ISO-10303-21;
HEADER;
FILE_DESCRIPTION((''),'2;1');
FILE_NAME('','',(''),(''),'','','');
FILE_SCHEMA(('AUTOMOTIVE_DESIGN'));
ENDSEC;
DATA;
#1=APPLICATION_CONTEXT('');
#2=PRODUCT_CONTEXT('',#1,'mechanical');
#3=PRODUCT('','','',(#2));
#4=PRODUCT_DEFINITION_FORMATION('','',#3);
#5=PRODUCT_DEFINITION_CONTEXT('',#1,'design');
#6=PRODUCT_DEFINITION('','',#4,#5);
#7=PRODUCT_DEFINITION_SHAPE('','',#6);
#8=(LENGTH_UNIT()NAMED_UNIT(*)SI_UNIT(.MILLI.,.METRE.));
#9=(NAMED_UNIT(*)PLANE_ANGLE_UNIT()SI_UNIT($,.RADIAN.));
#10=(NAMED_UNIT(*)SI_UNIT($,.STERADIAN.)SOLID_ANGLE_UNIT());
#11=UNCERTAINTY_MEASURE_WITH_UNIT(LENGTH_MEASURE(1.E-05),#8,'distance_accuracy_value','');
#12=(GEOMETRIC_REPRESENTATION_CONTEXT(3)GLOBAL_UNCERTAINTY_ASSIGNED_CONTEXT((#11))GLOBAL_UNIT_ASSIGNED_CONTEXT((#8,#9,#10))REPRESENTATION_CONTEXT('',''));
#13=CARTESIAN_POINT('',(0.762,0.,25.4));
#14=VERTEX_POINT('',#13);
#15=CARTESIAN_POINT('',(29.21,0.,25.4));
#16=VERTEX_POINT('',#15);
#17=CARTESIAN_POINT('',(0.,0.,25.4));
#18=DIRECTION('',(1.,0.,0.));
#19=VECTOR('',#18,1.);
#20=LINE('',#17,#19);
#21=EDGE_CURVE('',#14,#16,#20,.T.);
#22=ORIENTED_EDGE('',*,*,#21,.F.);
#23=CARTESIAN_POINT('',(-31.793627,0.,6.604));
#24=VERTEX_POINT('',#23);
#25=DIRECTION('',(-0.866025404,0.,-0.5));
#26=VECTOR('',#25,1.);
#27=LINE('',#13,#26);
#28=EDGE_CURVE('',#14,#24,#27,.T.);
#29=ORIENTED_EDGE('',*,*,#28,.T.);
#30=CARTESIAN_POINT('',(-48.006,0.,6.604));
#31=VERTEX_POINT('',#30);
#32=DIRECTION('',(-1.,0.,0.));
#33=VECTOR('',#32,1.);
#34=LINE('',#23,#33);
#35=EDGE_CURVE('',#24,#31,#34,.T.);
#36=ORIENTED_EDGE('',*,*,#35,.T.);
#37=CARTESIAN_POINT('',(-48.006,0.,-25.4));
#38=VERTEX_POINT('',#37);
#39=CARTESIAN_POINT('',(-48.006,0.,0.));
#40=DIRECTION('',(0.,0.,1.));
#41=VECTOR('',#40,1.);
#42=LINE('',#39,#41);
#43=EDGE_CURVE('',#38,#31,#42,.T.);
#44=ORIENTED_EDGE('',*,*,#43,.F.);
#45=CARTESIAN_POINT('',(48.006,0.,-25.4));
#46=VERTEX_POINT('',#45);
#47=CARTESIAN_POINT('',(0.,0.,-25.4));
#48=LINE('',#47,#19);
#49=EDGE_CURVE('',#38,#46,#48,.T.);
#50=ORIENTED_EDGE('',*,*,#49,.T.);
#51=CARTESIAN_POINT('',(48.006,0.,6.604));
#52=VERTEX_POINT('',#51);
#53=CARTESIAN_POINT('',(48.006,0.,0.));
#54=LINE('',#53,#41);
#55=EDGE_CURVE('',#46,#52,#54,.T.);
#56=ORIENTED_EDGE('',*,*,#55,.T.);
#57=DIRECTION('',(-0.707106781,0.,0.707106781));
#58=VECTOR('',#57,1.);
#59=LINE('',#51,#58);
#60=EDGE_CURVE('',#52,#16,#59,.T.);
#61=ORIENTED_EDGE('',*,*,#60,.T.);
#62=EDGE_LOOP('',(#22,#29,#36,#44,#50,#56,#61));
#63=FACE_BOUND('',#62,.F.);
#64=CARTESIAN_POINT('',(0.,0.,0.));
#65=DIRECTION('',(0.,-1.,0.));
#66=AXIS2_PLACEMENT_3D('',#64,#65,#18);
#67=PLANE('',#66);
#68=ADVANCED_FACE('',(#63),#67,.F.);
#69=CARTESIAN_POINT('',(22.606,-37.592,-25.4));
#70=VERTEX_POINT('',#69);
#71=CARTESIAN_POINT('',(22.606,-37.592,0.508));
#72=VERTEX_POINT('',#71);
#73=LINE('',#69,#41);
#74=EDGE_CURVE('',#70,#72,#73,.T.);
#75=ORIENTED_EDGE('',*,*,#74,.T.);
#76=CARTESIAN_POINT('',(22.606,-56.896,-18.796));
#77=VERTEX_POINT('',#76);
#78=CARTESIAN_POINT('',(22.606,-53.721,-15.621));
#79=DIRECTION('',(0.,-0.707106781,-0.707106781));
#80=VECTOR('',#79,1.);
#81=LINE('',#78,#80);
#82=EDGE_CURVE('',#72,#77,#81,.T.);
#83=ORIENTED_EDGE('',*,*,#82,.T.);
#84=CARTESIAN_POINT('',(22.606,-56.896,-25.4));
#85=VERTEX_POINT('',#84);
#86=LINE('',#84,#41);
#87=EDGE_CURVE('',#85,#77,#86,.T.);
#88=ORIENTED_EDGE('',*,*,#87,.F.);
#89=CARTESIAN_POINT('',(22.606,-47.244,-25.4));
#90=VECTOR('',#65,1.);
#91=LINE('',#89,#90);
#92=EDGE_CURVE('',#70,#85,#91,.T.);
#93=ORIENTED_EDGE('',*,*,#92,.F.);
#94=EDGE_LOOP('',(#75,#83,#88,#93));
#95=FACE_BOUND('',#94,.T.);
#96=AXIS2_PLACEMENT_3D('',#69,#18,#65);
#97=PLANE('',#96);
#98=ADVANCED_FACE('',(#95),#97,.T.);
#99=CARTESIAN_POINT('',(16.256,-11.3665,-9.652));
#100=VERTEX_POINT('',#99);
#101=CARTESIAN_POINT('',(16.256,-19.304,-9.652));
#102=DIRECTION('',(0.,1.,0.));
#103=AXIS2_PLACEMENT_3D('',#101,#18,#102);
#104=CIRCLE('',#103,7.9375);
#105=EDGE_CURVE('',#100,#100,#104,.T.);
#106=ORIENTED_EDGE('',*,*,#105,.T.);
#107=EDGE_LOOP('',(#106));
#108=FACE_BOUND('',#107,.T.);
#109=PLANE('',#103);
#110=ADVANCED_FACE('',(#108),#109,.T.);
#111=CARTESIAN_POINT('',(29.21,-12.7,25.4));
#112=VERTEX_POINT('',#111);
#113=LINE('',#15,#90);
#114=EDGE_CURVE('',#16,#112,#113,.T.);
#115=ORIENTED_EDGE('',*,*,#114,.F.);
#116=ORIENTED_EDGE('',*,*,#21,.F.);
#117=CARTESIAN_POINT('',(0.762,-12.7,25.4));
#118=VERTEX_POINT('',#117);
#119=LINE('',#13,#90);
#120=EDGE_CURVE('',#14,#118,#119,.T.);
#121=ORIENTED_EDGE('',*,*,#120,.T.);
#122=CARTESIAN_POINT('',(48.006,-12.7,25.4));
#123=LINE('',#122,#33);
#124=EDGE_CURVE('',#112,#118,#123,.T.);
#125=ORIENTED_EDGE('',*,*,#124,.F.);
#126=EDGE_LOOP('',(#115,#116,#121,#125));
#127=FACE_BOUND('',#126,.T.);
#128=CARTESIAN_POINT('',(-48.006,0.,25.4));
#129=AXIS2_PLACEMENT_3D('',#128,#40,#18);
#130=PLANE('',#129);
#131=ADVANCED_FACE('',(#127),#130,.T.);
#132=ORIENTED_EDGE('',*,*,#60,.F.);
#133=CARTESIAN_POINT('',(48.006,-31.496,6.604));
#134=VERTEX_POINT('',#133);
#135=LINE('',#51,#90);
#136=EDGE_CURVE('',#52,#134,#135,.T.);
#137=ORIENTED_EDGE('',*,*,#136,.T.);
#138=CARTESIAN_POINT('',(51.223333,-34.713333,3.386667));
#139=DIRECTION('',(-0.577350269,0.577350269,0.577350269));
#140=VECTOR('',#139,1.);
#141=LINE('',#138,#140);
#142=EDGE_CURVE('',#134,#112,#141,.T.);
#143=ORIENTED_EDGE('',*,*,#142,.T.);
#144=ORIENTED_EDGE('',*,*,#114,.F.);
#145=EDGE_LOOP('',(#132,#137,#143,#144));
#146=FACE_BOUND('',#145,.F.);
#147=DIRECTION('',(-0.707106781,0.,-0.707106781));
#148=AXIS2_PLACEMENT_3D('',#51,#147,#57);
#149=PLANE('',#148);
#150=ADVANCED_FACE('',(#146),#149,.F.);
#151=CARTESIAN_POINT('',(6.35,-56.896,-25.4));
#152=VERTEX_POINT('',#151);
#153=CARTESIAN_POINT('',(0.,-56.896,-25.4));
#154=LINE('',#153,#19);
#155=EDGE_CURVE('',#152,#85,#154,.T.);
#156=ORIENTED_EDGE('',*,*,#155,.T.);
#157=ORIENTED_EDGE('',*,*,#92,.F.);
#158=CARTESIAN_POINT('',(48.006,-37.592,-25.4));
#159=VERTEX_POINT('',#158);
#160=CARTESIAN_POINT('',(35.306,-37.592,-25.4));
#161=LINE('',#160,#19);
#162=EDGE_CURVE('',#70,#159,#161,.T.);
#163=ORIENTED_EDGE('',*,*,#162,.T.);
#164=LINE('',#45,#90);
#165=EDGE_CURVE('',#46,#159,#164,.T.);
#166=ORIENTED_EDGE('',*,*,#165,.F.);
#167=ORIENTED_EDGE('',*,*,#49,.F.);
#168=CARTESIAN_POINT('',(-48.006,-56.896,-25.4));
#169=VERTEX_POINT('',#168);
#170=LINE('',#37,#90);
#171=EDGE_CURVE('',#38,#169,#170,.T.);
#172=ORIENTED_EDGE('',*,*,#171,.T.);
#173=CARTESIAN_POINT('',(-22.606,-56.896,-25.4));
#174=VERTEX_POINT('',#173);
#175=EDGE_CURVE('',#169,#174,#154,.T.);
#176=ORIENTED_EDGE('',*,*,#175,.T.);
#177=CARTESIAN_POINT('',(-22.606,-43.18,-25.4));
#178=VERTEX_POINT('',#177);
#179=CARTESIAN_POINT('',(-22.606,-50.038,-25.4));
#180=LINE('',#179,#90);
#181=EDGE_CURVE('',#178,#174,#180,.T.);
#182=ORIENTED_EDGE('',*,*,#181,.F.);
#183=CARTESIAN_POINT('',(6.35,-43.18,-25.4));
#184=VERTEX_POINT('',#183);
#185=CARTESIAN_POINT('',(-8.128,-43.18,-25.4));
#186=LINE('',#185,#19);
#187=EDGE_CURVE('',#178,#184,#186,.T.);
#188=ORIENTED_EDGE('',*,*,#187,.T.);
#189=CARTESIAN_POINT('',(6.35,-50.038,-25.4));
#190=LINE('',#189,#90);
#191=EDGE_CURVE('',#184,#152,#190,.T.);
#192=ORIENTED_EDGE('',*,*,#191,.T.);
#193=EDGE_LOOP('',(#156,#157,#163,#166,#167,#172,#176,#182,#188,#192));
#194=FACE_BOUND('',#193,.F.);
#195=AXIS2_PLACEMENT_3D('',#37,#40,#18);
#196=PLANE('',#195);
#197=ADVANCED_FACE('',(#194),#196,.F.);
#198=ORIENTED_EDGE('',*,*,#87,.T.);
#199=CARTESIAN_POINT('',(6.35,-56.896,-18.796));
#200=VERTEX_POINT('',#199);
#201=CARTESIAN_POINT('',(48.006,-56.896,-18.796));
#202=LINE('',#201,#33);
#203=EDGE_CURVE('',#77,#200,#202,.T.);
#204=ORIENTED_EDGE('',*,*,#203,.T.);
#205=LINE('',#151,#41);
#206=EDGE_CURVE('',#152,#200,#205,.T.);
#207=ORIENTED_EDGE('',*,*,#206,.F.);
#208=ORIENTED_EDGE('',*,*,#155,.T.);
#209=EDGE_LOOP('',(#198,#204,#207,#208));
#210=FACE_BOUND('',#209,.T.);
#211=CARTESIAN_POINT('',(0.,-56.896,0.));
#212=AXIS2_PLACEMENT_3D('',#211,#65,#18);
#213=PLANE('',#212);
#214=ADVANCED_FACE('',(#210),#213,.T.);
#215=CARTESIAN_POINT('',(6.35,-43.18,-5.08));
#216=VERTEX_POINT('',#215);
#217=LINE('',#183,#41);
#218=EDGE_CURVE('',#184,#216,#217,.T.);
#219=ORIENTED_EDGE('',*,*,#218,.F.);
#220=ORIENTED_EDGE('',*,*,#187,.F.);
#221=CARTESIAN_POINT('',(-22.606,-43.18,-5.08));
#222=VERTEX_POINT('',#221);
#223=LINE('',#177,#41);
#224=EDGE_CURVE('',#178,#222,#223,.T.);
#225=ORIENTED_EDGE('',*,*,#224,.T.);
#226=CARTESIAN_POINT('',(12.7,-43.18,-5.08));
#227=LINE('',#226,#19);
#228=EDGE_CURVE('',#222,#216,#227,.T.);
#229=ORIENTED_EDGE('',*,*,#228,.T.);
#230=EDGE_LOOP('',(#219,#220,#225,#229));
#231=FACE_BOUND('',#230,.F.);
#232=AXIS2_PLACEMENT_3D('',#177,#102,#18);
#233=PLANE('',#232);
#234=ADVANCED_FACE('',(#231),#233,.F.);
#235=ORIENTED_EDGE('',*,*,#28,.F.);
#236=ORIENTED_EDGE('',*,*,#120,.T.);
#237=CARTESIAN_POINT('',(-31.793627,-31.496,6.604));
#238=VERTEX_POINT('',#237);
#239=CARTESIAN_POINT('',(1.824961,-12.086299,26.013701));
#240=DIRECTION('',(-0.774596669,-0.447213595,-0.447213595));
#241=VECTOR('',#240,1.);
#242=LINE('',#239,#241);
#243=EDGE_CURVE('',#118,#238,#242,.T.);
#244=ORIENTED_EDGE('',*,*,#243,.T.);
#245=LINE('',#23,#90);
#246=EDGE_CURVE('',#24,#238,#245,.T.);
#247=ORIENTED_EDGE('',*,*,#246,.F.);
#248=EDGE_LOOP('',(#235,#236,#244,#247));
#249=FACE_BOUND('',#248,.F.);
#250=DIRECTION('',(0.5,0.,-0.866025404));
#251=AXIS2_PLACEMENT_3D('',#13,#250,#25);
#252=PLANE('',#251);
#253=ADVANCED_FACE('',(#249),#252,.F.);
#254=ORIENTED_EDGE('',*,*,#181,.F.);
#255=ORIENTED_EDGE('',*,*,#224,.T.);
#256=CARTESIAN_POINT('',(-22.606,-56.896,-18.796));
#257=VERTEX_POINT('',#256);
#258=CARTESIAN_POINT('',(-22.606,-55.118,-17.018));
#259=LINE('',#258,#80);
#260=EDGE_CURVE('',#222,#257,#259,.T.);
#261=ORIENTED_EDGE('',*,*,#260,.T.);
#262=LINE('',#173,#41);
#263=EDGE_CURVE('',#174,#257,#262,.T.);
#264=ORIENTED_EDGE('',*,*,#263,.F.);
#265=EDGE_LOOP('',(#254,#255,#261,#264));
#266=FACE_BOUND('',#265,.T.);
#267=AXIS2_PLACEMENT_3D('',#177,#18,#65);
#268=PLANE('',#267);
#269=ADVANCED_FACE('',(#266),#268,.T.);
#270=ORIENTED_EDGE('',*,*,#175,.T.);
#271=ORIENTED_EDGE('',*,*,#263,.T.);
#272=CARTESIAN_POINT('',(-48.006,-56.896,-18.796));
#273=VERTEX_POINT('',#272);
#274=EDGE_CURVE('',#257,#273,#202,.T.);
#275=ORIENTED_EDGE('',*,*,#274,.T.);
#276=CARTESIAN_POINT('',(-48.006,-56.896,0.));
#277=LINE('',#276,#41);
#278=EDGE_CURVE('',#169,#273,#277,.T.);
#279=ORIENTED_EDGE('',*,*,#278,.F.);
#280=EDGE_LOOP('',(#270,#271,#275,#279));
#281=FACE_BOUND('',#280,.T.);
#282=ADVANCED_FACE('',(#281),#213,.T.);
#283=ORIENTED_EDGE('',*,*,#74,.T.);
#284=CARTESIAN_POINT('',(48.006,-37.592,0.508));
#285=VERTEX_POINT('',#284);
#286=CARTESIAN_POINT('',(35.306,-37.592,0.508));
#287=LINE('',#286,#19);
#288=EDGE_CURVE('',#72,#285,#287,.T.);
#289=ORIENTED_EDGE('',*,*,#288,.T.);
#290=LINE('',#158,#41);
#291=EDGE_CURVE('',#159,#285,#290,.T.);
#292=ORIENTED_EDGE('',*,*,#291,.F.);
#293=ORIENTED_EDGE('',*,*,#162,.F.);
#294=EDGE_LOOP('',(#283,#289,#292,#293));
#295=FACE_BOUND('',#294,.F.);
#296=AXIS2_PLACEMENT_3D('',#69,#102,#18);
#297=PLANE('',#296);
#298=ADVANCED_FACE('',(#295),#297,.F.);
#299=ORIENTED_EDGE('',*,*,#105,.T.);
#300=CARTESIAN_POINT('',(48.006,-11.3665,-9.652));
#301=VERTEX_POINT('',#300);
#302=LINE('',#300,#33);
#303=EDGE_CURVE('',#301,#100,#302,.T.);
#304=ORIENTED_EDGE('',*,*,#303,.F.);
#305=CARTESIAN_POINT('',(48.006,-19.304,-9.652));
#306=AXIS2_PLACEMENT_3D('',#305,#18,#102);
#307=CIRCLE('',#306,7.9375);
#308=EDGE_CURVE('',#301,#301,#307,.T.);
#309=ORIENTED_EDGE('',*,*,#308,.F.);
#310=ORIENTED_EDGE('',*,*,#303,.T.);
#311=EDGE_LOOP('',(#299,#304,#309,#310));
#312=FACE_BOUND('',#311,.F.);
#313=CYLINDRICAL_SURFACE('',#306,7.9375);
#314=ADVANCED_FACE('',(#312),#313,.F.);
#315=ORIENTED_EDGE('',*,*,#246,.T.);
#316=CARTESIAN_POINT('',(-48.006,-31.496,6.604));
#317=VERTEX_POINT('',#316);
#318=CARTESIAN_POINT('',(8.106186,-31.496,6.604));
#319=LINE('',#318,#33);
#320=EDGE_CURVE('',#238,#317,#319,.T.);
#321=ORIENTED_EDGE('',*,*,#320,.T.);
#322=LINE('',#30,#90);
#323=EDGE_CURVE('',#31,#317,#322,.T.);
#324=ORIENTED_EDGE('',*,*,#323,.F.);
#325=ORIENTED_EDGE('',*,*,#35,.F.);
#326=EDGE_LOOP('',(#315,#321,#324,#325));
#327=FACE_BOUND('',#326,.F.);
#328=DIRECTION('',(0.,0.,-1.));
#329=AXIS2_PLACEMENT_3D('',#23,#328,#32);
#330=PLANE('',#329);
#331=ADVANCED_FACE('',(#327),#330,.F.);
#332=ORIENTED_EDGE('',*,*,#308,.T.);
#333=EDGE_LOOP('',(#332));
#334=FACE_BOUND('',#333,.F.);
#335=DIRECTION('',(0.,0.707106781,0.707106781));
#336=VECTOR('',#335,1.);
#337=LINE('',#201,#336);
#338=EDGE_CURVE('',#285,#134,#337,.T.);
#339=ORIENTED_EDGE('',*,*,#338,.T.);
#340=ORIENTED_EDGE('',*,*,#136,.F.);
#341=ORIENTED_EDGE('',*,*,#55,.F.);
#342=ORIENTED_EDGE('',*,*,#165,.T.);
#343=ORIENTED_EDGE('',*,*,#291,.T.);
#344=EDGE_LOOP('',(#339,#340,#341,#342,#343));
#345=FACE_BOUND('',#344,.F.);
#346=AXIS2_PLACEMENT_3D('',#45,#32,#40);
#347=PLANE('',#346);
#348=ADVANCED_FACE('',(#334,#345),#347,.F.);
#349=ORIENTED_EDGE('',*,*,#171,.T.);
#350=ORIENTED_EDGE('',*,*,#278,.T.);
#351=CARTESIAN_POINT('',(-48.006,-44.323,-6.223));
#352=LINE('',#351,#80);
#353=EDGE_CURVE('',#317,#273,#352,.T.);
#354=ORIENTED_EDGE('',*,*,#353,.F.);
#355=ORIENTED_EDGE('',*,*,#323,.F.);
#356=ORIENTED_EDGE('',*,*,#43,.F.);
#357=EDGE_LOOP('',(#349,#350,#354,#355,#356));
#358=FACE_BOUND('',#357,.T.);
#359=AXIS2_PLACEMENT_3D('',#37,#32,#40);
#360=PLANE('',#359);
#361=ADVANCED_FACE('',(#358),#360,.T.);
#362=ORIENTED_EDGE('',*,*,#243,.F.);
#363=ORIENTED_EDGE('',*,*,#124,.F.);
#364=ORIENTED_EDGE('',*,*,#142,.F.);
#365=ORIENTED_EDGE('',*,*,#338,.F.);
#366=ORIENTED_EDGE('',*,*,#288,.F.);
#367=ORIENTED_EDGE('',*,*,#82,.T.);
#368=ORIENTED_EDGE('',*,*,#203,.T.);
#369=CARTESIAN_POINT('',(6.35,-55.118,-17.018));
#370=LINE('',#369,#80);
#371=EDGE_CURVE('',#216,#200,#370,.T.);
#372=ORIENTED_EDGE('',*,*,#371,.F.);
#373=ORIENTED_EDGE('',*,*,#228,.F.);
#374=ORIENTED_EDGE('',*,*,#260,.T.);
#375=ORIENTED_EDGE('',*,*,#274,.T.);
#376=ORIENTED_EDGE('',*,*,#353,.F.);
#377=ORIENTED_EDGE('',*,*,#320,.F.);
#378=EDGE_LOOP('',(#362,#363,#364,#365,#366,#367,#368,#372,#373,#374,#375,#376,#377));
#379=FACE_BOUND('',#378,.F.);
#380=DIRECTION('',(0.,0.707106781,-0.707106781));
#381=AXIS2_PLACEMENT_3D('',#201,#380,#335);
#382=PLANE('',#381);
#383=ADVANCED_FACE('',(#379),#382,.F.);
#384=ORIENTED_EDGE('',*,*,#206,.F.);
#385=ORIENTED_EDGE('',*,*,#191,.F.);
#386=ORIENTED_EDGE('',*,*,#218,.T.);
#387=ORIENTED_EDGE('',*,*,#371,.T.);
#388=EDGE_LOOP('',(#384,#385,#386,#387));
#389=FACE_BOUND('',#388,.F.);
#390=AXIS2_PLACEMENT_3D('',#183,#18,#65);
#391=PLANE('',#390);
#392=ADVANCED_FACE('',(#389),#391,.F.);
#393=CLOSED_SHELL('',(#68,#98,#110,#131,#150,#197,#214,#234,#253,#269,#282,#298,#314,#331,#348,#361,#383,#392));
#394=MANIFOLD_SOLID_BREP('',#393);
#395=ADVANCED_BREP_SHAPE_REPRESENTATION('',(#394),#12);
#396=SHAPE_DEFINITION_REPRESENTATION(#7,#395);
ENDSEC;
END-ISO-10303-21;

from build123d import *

# Parameters (mm, degrees)
F0_W     = 96.012
F0_H     = 50.8
F1_DEPTH = 56.896
F3_DEPTH = 96.013
F5_DEPTH = 56.897
F6_W     = 28.956
F6_H     = 13.716
F6_W_2   = 25.4
F6_H_2   = 19.304
F7_DEPTH = 50.801
F8_R     = 7.9375
F9_DEPTH = 31.75


with BuildPart() as f1:
    # F0 (on Front) → F1 (new body)
    with BuildSketch(Plane.XZ):
        Rectangle(F0_W, F0_H)
    extrude(amount=F1_DEPTH)

    # F2 (on face) → F3 (cut, through all)
    with BuildSketch(Plane.YZ.offset(48.006)):
        Polygon((-56.896, -18.796), (-12.7, 25.4), (-56.896, 25.4), align=None)
    extrude(amount=-F3_DEPTH, mode=Mode.SUBTRACT)

    # F4 (on face) → F5 (cut, through all)
    with BuildSketch(Plane(origin=(0, 0, 0), x_dir=(-1, 0, 0), z_dir=(0, 1, 0))):
        Polygon((48.006, 25.4), (-0.762, 25.4), (31.793627, 6.604), (48.006, 6.604), align=None)
        Polygon((-29.21, 25.4), (-48.006, 25.4), (-48.006, 6.604), align=None)
    extrude(amount=-F5_DEPTH, mode=Mode.SUBTRACT)

    # F6 (on face) → F7 (cut, through all)
    with BuildSketch(Plane(origin=(0, 0, -25.4), x_dir=(1, 0, 0), z_dir=(0, 0, -1))):
        with Locations((-8.128, 50.038)):
            Rectangle(F6_W, F6_H)
        with Locations((35.306, 47.244)):
            Rectangle(F6_W_2, F6_H_2)
    extrude(amount=-F7_DEPTH, mode=Mode.SUBTRACT)

    # F8 (on face) → F9 (cut)
    with BuildSketch(Plane.YZ.offset(48.006)):
        with Locations((-19.304, -9.652)):
            Circle(F8_R)
    extrude(amount=-F9_DEPTH, mode=Mode.SUBTRACT)


solid = f1.part
